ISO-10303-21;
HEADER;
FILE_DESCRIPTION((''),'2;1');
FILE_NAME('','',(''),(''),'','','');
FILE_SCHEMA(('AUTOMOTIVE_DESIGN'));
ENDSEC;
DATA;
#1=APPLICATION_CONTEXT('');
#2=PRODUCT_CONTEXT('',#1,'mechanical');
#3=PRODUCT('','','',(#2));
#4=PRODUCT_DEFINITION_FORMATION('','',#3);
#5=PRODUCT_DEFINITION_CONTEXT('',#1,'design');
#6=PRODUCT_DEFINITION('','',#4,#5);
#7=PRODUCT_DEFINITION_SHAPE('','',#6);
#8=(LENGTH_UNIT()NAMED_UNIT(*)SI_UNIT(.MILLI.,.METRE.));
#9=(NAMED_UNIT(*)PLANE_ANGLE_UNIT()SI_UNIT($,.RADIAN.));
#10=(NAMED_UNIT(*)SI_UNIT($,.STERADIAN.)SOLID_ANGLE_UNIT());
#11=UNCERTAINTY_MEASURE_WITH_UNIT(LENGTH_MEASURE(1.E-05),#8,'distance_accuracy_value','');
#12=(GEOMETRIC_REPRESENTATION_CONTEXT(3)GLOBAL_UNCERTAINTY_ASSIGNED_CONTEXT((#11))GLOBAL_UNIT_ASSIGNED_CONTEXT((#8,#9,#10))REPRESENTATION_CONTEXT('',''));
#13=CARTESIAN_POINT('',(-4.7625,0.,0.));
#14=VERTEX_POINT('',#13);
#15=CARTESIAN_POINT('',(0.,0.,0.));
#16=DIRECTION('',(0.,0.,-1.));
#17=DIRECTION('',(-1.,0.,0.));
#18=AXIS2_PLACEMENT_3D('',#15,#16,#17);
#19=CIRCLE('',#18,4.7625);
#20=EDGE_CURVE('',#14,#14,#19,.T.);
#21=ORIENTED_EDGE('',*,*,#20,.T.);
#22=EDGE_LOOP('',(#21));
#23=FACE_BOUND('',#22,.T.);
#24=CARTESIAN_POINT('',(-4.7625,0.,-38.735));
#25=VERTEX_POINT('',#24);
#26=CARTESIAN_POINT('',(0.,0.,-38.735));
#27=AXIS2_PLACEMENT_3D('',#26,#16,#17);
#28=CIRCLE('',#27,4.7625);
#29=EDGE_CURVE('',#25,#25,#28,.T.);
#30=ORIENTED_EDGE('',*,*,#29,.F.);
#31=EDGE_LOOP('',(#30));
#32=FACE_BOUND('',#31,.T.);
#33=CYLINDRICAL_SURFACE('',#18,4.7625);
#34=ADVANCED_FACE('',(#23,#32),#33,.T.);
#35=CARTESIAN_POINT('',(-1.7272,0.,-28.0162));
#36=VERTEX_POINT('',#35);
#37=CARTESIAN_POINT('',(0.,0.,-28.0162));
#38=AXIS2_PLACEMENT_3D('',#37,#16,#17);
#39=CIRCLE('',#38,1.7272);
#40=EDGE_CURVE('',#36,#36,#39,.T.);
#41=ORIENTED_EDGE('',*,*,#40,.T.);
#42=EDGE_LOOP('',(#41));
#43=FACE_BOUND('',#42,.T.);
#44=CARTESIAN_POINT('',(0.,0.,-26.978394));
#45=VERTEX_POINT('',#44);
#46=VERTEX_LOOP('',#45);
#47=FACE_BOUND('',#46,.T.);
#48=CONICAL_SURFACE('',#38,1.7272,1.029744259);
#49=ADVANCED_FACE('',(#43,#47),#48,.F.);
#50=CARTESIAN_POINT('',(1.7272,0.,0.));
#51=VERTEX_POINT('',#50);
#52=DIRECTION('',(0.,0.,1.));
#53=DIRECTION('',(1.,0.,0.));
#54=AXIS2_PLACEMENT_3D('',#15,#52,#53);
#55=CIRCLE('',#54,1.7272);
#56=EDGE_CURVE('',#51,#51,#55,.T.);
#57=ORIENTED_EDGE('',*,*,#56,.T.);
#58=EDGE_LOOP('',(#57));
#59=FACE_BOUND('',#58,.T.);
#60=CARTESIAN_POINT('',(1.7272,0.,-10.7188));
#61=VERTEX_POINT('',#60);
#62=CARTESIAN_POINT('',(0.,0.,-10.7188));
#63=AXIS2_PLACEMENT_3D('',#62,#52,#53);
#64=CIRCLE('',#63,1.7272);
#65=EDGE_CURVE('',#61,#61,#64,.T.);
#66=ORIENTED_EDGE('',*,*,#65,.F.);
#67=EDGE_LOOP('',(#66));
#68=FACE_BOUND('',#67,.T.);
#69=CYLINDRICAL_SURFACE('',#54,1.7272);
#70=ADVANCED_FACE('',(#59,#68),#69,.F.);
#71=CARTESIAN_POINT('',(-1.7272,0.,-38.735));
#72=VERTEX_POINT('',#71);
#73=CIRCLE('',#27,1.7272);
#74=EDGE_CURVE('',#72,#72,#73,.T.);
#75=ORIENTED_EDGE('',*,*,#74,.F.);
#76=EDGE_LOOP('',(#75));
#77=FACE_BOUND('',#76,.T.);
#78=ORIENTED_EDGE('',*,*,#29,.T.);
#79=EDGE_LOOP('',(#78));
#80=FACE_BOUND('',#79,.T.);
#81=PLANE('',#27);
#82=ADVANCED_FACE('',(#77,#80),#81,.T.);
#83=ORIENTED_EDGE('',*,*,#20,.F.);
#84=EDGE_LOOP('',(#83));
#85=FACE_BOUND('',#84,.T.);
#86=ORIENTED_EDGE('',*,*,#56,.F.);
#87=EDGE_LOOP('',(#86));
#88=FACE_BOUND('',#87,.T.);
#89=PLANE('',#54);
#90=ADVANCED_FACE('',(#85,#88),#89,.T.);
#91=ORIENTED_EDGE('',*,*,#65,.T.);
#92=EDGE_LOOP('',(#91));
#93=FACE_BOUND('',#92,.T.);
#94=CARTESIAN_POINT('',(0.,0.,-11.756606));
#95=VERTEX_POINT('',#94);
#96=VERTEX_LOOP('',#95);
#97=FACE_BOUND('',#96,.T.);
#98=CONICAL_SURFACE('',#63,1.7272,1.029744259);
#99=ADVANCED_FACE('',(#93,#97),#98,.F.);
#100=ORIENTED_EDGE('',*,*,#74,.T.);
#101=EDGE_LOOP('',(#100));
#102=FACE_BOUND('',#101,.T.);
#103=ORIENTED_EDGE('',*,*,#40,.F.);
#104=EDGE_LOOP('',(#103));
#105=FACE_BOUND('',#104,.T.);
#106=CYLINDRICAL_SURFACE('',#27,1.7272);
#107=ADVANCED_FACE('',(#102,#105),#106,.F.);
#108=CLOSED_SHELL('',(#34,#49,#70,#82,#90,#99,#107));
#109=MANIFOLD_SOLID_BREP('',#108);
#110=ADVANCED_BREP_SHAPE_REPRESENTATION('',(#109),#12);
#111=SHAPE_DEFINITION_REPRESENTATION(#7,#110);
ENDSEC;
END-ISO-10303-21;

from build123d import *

# Parameters (mm, degrees)
SKETCH1_W                 = 38.735
SKETCH1_H                 = 4.7625
F_8_32_TAPPED_HOLE1_D     = 3.4544
F_8_32_TAPPED_HOLE1_DEPTH = 10.7188
F_8_32_TAPPED_HOLE1_TIP   = 1.037806461
F_8_32_TAPPED_HOLE2_D     = 3.4544
F_8_32_TAPPED_HOLE2_DEPTH = 10.7188
F_8_32_TAPPED_HOLE2_TIP   = 1.037806461


with BuildPart() as part:
    # Sketch1 → Revolve1 (revolve)
    with BuildSketch(Plane(origin=(0, 0, 0), x_dir=(0, 0, -1), z_dir=(1, 0, 0))):
        with Locations((19.3675, 2.38125)):
            Rectangle(SKETCH1_W, SKETCH1_H)
    revolve(axis=Axis((0, 0, 0), (0, 0, 1)))

    # #8-32 Tapped Hole1
    with Locations(Plane.XY):
        with Locations((0, 0)):
            Hole(F_8_32_TAPPED_HOLE1_D / 2, depth=F_8_32_TAPPED_HOLE1_DEPTH)
            with Locations((0, 0, -(F_8_32_TAPPED_HOLE1_DEPTH + F_8_32_TAPPED_HOLE1_TIP / 2))):  # 118° drill point
                Cone(0, F_8_32_TAPPED_HOLE1_D / 2, F_8_32_TAPPED_HOLE1_TIP, mode=Mode.SUBTRACT)

    # #8-32 Tapped Hole2
    with Locations(Plane(origin=(0, 0, -38.735), x_dir=(-1, 0, 0), z_dir=(0, 0, -1))):
        with Locations((0, 0)):
            Hole(F_8_32_TAPPED_HOLE2_D / 2, depth=F_8_32_TAPPED_HOLE2_DEPTH)
            with Locations((0, 0, -(F_8_32_TAPPED_HOLE2_DEPTH + F_8_32_TAPPED_HOLE2_TIP / 2))):  # 118° drill point
                Cone(0, F_8_32_TAPPED_HOLE2_D / 2, F_8_32_TAPPED_HOLE2_TIP, mode=Mode.SUBTRACT)


solid = part.part
